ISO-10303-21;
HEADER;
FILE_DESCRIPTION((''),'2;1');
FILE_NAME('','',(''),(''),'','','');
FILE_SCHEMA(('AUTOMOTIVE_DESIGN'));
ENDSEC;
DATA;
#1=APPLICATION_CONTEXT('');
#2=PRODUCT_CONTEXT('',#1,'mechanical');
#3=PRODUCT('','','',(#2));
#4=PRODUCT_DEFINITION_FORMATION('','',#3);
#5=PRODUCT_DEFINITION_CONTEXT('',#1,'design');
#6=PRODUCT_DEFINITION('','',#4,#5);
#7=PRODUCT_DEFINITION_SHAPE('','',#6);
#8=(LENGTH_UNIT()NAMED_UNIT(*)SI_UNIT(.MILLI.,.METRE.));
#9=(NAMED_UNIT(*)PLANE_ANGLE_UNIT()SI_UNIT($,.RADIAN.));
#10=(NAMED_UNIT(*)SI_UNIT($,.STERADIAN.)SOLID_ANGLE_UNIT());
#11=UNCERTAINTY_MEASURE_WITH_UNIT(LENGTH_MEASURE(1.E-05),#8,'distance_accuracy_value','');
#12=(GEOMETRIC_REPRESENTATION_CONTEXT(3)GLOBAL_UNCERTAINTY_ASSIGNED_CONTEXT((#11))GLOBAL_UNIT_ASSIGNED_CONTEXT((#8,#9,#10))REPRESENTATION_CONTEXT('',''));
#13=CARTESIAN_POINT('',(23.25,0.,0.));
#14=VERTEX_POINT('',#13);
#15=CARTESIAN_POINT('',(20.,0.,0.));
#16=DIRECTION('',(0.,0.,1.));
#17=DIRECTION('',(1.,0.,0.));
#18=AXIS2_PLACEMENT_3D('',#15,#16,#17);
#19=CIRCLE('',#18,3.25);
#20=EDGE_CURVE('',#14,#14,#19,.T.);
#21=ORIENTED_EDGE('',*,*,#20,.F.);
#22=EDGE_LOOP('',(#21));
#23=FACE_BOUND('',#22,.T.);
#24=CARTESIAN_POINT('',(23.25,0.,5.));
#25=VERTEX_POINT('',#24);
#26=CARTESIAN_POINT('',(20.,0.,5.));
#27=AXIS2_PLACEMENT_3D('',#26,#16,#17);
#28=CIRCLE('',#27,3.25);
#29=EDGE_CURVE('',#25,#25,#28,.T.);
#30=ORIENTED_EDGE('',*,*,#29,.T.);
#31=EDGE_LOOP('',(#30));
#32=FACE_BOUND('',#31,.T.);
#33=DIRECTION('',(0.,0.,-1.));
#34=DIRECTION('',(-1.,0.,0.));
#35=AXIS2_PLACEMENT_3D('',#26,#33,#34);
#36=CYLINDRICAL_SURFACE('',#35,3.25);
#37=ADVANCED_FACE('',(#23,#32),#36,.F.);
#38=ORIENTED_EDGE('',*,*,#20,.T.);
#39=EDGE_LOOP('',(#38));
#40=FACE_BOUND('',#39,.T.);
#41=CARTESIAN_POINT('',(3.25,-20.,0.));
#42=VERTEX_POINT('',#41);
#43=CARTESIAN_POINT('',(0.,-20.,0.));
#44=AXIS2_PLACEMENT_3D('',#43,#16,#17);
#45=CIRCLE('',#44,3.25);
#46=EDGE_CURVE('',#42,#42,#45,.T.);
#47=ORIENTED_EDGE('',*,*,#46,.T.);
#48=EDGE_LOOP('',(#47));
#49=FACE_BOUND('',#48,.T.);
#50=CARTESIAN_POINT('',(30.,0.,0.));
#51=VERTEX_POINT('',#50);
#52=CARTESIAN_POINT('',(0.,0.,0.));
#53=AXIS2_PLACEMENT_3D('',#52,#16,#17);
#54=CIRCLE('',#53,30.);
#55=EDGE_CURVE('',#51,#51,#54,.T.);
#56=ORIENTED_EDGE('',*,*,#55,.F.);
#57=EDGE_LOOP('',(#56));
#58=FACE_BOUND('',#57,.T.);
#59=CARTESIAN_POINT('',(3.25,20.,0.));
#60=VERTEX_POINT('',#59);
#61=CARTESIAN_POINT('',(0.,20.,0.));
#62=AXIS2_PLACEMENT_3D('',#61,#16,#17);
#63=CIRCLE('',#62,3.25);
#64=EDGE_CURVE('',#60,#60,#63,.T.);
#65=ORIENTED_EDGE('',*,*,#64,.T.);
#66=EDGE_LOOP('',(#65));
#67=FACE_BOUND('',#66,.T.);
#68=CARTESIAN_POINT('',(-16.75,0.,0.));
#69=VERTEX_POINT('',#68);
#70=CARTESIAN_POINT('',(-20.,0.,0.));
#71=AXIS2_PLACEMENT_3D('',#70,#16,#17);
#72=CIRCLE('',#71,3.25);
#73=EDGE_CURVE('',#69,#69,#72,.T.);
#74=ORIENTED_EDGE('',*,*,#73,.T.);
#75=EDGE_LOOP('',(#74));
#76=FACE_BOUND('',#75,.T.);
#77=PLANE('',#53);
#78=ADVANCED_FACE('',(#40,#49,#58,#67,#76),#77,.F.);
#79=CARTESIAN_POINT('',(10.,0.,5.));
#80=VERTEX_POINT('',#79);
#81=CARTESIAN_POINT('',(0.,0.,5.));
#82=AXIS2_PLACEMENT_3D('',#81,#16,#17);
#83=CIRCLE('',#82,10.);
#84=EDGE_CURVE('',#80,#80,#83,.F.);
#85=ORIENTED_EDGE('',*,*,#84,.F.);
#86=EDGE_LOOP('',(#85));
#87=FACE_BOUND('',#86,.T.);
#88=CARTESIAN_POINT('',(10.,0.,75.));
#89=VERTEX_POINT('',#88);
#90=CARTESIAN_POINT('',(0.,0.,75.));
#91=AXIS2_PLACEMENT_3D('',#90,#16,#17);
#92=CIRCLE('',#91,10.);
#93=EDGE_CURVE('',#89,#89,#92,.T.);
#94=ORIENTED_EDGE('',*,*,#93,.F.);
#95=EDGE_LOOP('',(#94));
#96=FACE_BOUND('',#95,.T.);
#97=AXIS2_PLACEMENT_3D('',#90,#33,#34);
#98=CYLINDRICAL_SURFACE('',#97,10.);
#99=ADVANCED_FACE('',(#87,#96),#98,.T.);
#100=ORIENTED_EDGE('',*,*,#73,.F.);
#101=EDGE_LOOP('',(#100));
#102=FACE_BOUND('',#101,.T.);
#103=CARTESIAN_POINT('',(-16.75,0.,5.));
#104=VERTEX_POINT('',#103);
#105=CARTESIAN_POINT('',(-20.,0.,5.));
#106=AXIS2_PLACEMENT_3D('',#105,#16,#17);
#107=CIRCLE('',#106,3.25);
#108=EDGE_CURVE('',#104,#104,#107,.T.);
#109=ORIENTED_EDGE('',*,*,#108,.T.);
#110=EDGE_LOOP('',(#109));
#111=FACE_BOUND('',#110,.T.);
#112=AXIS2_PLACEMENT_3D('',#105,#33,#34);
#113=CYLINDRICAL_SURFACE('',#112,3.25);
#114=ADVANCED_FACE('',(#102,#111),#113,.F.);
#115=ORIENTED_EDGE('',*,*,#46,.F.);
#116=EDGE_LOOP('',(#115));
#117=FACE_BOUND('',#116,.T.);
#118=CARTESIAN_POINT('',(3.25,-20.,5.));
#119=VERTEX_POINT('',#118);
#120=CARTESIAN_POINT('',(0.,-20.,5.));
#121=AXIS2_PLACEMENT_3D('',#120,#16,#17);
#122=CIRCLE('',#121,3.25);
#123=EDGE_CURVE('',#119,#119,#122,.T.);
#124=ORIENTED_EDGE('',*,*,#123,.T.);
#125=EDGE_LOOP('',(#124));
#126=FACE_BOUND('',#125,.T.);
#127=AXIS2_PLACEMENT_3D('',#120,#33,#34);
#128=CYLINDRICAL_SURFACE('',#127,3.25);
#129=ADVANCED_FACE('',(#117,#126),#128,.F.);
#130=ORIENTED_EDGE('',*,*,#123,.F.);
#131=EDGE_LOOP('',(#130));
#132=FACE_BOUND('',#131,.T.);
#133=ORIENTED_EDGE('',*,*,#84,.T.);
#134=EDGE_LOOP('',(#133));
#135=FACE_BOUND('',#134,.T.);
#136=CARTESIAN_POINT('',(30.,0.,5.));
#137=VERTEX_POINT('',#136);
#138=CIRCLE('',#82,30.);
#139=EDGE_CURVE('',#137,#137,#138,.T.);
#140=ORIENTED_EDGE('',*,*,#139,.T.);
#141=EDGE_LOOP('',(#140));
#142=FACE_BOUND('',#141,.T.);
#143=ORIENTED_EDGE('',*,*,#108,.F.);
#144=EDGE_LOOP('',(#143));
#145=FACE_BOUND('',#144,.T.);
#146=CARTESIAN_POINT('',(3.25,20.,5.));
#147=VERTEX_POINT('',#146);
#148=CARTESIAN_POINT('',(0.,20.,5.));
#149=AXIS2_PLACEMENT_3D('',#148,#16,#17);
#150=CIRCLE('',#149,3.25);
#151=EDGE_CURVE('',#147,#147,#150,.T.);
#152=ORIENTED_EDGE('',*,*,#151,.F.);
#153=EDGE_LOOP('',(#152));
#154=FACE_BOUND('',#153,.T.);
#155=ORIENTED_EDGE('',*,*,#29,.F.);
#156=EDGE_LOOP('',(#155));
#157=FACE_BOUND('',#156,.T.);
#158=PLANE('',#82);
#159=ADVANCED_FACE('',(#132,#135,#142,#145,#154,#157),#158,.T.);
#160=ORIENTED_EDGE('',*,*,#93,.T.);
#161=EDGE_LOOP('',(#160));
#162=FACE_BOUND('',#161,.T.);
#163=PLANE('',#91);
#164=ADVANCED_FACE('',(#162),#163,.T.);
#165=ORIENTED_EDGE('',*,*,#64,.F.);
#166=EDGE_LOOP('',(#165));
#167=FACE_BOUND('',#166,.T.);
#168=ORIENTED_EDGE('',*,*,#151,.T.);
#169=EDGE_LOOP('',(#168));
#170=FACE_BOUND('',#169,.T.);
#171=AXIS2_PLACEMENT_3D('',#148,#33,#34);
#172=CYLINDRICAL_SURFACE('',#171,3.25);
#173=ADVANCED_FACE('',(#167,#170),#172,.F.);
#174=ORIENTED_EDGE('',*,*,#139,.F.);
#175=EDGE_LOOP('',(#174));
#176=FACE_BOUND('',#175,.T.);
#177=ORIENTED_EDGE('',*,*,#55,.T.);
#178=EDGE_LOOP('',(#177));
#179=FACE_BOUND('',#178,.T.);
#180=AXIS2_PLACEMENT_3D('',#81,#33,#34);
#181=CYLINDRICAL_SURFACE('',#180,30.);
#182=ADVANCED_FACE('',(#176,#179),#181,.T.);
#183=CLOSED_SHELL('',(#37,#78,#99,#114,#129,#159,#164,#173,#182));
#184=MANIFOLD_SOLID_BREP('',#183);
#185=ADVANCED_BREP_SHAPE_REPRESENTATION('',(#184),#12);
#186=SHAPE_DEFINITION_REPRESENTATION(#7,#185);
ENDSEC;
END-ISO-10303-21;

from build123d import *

# Parameters (mm, degrees)
HUB_FLANGE_PROFILE_R   = 30
HUB_FLANGE_PROFILE_R_2 = 3.25
HUB_FLANGE_5MM_DEPTH   = 5
STUB_AXLE_PROFILE_R    = 10
STUB_AXLE_75MM_DEPTH   = 75


with BuildPart() as part:
    # Hub_Flange_Profile → Hub_Flange_5mm (new body)
    with BuildSketch(Plane.XY):
        Circle(HUB_FLANGE_PROFILE_R)
        with Locations((20, 0)):
            Circle(HUB_FLANGE_PROFILE_R_2, mode=Mode.SUBTRACT)
        with Locations((0, 20)):
            Circle(HUB_FLANGE_PROFILE_R_2, mode=Mode.SUBTRACT)
        with Locations((-20, 0)):
            Circle(HUB_FLANGE_PROFILE_R_2, mode=Mode.SUBTRACT)
        with Locations((0, -20)):
            Circle(HUB_FLANGE_PROFILE_R_2, mode=Mode.SUBTRACT)
    extrude(amount=HUB_FLANGE_5MM_DEPTH)

    # Stub_Axle_Profile → Stub_Axle_75mm (add)
    with BuildSketch(Plane.XY):
        Circle(STUB_AXLE_PROFILE_R)
    extrude(amount=STUB_AXLE_75MM_DEPTH)


solid = part.part
